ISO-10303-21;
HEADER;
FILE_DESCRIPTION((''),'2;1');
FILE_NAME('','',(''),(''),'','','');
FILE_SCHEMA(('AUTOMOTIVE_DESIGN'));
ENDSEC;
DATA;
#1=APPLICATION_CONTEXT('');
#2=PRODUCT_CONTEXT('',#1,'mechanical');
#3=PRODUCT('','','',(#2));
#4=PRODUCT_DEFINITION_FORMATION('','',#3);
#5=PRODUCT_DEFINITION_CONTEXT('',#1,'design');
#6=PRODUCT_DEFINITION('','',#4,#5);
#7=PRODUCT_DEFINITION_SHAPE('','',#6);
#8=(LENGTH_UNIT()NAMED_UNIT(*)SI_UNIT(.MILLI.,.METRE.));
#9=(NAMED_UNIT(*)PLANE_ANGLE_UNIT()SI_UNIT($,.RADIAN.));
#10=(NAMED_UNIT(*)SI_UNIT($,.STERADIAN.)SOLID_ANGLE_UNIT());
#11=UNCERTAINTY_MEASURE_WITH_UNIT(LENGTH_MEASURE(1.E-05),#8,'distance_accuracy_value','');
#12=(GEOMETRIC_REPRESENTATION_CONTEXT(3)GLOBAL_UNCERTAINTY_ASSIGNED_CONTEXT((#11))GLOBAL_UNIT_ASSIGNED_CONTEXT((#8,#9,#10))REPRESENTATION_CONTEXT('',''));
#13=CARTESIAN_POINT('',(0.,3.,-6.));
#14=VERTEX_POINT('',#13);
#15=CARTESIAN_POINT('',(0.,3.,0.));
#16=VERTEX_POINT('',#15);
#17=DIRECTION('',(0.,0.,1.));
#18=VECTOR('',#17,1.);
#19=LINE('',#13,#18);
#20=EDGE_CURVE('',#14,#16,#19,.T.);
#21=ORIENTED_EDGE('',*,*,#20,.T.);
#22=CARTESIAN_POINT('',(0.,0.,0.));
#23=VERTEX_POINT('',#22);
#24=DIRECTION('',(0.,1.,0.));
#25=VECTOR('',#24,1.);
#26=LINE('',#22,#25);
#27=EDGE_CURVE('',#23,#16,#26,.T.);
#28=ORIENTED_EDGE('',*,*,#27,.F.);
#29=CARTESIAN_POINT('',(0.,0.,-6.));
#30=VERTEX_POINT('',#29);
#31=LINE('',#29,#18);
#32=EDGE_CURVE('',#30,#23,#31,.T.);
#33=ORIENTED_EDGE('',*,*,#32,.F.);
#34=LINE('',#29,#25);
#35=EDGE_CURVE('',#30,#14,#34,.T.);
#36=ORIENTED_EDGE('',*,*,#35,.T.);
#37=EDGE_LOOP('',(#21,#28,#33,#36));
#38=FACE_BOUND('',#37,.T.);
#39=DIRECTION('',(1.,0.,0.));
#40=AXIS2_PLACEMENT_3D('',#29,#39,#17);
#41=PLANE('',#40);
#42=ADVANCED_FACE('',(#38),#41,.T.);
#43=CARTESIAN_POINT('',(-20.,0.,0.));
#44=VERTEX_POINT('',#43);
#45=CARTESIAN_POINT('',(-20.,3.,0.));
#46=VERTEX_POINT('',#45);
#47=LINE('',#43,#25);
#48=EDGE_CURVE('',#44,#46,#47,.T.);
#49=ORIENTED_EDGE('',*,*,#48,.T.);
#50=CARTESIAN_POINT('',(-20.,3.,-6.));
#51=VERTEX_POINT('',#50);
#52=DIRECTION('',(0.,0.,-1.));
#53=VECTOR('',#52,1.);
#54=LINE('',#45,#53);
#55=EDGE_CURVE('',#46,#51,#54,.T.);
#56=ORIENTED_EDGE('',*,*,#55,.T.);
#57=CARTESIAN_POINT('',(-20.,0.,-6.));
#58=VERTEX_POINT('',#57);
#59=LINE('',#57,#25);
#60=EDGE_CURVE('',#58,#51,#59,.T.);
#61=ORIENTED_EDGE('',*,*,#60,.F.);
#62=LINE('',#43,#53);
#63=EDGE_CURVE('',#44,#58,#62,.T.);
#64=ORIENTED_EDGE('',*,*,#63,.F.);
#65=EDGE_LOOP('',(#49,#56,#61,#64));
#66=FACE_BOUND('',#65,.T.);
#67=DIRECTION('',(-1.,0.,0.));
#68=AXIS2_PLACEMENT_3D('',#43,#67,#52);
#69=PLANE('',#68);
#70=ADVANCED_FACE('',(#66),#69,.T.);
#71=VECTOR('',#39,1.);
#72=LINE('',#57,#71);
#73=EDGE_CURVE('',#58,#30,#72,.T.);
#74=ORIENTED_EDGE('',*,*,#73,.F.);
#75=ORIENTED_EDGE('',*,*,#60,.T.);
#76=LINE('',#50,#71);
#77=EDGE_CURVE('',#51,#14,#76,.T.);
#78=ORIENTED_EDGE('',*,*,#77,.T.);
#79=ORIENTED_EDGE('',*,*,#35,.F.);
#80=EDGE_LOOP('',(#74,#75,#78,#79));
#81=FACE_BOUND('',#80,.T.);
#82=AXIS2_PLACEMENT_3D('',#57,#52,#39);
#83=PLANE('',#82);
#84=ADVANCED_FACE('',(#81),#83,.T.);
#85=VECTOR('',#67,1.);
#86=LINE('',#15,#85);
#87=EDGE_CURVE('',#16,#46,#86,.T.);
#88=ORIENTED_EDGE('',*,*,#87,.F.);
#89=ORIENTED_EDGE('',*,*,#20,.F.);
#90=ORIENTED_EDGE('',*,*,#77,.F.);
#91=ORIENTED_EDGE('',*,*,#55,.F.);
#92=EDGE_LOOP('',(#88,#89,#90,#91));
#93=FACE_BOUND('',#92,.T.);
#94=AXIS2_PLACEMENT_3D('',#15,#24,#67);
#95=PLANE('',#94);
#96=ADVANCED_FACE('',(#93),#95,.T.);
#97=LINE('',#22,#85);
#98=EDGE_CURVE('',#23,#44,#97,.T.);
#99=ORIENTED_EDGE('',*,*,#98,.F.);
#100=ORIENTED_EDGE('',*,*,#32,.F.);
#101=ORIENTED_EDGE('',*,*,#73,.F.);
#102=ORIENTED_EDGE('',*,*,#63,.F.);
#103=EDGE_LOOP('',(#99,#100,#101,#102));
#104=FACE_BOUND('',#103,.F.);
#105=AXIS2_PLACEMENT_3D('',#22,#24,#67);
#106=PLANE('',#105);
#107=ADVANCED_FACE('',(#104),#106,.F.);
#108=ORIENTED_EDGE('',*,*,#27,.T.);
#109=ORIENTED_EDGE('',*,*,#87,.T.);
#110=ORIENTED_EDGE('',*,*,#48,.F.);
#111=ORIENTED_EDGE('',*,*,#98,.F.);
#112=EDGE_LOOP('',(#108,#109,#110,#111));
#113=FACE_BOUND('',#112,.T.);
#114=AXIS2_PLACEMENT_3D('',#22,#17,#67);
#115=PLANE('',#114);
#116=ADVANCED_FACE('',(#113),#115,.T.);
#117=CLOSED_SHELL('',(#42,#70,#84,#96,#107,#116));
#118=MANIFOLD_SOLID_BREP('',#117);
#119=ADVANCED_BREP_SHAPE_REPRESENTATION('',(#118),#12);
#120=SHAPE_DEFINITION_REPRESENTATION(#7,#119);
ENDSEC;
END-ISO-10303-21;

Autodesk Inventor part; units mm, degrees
ref_plane "YZ Plane" through (0, 0, 0) normal (1, 0, 0) x (0, 1, 0)
ref_plane "XZ Plane" through (0, 0, 0) normal (0, 1, 0) x (-1, 0, 0)
ref_plane "XY Plane" through (0, 0, 0) normal (0, 0, 1) x (1, 0, 0)
sketch "草圖1" plane through (0, 0, 0) normal (0, 1, 0) x (-1, 0, 0)
  line L0 (0, 0) -> (20, 0)
  line L1 (20, 0) -> (20, -6)
  line L2 (20, -6) -> (0, -6)
  line L3 (0, -6) -> (0, 0)
  dimension "d0" = 20
  dimension "d1" = 6
extrude "擠出1" add sketch "草圖1" along normal blind 3
properties material "MDF Medium Density Fiberboard"
